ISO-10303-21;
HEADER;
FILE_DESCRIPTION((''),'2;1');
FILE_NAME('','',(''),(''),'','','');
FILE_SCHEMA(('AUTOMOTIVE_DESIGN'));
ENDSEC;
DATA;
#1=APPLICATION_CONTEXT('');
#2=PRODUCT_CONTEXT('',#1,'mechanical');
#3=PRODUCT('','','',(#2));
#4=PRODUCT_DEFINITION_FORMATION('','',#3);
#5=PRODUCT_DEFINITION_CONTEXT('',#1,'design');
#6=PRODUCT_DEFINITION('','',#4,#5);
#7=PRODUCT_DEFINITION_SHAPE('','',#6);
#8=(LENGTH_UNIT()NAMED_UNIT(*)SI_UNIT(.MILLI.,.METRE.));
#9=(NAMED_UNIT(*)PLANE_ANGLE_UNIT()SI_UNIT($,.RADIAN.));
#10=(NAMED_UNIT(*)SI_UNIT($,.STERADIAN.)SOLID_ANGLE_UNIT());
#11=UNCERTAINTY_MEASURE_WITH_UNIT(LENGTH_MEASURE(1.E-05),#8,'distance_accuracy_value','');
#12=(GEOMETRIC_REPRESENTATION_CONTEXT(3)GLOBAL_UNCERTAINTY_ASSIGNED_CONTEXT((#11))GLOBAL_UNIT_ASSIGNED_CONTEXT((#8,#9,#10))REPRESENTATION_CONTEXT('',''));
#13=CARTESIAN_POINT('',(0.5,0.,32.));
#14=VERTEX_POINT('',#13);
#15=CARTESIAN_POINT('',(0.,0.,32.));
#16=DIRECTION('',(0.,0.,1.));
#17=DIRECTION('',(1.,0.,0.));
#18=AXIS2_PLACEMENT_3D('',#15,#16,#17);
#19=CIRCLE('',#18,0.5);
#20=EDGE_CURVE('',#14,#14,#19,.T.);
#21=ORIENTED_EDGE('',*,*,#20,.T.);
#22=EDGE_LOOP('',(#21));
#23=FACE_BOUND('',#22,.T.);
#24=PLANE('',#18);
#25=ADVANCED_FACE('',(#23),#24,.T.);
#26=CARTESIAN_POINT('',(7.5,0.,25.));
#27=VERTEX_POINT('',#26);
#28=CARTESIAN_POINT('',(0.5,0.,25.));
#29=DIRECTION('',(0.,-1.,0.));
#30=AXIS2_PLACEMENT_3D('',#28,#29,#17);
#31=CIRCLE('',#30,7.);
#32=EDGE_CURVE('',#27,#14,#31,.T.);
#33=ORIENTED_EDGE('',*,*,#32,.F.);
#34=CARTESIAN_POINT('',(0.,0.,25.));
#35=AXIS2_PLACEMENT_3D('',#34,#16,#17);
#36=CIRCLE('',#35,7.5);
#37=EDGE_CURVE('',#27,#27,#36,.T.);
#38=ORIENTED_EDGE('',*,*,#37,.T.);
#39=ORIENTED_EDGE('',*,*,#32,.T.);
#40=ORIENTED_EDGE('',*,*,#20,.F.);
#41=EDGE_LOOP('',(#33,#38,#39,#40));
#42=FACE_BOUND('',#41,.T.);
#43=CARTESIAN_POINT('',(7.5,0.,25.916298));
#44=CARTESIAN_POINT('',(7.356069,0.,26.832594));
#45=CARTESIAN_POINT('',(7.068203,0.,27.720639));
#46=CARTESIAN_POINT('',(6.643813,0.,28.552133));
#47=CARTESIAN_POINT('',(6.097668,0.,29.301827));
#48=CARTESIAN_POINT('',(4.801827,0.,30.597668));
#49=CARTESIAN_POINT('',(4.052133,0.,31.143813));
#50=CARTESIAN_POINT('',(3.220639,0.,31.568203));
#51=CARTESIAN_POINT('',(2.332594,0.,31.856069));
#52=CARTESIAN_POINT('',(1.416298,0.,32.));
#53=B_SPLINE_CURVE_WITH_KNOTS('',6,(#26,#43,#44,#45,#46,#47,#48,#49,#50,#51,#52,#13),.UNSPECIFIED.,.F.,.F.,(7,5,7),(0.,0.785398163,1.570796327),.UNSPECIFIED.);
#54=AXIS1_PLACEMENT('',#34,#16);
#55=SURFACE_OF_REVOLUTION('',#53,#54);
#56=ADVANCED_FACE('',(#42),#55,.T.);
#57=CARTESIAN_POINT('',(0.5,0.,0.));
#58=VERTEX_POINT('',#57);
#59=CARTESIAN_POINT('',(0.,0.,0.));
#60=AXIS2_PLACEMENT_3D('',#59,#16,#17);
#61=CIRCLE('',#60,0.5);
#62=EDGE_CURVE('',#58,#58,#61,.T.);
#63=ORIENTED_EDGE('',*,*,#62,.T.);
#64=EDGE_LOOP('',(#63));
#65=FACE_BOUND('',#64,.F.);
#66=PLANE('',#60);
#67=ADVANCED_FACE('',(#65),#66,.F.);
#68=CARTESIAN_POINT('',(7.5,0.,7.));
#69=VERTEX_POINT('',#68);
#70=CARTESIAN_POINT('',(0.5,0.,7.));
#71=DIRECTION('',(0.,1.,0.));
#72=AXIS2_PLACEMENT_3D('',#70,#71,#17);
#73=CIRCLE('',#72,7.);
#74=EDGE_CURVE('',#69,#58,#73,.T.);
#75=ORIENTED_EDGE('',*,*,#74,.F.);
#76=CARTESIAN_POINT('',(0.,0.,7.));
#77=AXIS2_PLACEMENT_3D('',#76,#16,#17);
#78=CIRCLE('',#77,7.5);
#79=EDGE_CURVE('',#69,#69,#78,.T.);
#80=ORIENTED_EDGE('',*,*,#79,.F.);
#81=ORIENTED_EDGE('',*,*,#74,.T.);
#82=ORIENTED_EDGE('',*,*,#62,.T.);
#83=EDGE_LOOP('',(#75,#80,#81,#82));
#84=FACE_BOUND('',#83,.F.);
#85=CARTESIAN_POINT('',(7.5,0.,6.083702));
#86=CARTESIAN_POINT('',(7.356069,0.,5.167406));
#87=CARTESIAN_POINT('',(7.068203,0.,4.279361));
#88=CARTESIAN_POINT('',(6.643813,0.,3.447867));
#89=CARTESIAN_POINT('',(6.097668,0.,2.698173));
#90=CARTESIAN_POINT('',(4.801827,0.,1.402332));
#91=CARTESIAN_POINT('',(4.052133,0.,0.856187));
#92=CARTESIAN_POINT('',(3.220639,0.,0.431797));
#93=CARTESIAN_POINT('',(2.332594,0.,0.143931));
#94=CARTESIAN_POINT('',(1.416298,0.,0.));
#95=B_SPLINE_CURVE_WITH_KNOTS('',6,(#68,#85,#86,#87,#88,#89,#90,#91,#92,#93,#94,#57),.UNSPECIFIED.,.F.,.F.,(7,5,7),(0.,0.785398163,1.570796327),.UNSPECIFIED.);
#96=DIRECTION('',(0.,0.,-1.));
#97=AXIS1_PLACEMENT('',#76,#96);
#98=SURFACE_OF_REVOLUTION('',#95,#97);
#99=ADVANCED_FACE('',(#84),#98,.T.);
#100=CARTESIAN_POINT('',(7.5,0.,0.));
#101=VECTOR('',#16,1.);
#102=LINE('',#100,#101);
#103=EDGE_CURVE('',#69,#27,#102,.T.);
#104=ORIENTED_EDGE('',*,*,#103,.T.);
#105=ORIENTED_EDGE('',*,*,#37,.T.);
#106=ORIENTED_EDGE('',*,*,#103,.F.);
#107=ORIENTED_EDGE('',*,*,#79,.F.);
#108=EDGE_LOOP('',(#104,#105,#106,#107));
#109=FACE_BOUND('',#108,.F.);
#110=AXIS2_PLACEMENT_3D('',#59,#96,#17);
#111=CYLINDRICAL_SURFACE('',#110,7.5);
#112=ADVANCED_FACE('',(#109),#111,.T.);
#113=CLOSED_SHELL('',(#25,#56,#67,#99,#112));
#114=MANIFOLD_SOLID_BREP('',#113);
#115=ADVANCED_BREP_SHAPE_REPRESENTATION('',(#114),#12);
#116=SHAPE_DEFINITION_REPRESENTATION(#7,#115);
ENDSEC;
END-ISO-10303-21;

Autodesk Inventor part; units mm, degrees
ref_plane "YZ Plane" through (0, 0, 0) normal (1, 0, 0) x (0, 1, 0)
ref_plane "XZ Plane" through (0, 0, 0) normal (0, 1, 0) x (-1, 0, 0)
ref_plane "XY Plane" through (0, 0, 0) normal (0, 0, 1) x (1, 0, 0)
sketch "Sketch1" plane through (0, 0, 0) normal (0, 0, 1) x (1, 0, 0)
  circle A0 centre (0, 0) radius 7.5
  dimension "d0" = 15
extrude "Extrusion3" add sketch "Sketch1" along normal blind 32
fillet "Fillet2" radius 7 2 edges at (-7.5, 0, 32) (-7.5, 0, 0)
properties part number "actuator_counterweight" material "Lead"
